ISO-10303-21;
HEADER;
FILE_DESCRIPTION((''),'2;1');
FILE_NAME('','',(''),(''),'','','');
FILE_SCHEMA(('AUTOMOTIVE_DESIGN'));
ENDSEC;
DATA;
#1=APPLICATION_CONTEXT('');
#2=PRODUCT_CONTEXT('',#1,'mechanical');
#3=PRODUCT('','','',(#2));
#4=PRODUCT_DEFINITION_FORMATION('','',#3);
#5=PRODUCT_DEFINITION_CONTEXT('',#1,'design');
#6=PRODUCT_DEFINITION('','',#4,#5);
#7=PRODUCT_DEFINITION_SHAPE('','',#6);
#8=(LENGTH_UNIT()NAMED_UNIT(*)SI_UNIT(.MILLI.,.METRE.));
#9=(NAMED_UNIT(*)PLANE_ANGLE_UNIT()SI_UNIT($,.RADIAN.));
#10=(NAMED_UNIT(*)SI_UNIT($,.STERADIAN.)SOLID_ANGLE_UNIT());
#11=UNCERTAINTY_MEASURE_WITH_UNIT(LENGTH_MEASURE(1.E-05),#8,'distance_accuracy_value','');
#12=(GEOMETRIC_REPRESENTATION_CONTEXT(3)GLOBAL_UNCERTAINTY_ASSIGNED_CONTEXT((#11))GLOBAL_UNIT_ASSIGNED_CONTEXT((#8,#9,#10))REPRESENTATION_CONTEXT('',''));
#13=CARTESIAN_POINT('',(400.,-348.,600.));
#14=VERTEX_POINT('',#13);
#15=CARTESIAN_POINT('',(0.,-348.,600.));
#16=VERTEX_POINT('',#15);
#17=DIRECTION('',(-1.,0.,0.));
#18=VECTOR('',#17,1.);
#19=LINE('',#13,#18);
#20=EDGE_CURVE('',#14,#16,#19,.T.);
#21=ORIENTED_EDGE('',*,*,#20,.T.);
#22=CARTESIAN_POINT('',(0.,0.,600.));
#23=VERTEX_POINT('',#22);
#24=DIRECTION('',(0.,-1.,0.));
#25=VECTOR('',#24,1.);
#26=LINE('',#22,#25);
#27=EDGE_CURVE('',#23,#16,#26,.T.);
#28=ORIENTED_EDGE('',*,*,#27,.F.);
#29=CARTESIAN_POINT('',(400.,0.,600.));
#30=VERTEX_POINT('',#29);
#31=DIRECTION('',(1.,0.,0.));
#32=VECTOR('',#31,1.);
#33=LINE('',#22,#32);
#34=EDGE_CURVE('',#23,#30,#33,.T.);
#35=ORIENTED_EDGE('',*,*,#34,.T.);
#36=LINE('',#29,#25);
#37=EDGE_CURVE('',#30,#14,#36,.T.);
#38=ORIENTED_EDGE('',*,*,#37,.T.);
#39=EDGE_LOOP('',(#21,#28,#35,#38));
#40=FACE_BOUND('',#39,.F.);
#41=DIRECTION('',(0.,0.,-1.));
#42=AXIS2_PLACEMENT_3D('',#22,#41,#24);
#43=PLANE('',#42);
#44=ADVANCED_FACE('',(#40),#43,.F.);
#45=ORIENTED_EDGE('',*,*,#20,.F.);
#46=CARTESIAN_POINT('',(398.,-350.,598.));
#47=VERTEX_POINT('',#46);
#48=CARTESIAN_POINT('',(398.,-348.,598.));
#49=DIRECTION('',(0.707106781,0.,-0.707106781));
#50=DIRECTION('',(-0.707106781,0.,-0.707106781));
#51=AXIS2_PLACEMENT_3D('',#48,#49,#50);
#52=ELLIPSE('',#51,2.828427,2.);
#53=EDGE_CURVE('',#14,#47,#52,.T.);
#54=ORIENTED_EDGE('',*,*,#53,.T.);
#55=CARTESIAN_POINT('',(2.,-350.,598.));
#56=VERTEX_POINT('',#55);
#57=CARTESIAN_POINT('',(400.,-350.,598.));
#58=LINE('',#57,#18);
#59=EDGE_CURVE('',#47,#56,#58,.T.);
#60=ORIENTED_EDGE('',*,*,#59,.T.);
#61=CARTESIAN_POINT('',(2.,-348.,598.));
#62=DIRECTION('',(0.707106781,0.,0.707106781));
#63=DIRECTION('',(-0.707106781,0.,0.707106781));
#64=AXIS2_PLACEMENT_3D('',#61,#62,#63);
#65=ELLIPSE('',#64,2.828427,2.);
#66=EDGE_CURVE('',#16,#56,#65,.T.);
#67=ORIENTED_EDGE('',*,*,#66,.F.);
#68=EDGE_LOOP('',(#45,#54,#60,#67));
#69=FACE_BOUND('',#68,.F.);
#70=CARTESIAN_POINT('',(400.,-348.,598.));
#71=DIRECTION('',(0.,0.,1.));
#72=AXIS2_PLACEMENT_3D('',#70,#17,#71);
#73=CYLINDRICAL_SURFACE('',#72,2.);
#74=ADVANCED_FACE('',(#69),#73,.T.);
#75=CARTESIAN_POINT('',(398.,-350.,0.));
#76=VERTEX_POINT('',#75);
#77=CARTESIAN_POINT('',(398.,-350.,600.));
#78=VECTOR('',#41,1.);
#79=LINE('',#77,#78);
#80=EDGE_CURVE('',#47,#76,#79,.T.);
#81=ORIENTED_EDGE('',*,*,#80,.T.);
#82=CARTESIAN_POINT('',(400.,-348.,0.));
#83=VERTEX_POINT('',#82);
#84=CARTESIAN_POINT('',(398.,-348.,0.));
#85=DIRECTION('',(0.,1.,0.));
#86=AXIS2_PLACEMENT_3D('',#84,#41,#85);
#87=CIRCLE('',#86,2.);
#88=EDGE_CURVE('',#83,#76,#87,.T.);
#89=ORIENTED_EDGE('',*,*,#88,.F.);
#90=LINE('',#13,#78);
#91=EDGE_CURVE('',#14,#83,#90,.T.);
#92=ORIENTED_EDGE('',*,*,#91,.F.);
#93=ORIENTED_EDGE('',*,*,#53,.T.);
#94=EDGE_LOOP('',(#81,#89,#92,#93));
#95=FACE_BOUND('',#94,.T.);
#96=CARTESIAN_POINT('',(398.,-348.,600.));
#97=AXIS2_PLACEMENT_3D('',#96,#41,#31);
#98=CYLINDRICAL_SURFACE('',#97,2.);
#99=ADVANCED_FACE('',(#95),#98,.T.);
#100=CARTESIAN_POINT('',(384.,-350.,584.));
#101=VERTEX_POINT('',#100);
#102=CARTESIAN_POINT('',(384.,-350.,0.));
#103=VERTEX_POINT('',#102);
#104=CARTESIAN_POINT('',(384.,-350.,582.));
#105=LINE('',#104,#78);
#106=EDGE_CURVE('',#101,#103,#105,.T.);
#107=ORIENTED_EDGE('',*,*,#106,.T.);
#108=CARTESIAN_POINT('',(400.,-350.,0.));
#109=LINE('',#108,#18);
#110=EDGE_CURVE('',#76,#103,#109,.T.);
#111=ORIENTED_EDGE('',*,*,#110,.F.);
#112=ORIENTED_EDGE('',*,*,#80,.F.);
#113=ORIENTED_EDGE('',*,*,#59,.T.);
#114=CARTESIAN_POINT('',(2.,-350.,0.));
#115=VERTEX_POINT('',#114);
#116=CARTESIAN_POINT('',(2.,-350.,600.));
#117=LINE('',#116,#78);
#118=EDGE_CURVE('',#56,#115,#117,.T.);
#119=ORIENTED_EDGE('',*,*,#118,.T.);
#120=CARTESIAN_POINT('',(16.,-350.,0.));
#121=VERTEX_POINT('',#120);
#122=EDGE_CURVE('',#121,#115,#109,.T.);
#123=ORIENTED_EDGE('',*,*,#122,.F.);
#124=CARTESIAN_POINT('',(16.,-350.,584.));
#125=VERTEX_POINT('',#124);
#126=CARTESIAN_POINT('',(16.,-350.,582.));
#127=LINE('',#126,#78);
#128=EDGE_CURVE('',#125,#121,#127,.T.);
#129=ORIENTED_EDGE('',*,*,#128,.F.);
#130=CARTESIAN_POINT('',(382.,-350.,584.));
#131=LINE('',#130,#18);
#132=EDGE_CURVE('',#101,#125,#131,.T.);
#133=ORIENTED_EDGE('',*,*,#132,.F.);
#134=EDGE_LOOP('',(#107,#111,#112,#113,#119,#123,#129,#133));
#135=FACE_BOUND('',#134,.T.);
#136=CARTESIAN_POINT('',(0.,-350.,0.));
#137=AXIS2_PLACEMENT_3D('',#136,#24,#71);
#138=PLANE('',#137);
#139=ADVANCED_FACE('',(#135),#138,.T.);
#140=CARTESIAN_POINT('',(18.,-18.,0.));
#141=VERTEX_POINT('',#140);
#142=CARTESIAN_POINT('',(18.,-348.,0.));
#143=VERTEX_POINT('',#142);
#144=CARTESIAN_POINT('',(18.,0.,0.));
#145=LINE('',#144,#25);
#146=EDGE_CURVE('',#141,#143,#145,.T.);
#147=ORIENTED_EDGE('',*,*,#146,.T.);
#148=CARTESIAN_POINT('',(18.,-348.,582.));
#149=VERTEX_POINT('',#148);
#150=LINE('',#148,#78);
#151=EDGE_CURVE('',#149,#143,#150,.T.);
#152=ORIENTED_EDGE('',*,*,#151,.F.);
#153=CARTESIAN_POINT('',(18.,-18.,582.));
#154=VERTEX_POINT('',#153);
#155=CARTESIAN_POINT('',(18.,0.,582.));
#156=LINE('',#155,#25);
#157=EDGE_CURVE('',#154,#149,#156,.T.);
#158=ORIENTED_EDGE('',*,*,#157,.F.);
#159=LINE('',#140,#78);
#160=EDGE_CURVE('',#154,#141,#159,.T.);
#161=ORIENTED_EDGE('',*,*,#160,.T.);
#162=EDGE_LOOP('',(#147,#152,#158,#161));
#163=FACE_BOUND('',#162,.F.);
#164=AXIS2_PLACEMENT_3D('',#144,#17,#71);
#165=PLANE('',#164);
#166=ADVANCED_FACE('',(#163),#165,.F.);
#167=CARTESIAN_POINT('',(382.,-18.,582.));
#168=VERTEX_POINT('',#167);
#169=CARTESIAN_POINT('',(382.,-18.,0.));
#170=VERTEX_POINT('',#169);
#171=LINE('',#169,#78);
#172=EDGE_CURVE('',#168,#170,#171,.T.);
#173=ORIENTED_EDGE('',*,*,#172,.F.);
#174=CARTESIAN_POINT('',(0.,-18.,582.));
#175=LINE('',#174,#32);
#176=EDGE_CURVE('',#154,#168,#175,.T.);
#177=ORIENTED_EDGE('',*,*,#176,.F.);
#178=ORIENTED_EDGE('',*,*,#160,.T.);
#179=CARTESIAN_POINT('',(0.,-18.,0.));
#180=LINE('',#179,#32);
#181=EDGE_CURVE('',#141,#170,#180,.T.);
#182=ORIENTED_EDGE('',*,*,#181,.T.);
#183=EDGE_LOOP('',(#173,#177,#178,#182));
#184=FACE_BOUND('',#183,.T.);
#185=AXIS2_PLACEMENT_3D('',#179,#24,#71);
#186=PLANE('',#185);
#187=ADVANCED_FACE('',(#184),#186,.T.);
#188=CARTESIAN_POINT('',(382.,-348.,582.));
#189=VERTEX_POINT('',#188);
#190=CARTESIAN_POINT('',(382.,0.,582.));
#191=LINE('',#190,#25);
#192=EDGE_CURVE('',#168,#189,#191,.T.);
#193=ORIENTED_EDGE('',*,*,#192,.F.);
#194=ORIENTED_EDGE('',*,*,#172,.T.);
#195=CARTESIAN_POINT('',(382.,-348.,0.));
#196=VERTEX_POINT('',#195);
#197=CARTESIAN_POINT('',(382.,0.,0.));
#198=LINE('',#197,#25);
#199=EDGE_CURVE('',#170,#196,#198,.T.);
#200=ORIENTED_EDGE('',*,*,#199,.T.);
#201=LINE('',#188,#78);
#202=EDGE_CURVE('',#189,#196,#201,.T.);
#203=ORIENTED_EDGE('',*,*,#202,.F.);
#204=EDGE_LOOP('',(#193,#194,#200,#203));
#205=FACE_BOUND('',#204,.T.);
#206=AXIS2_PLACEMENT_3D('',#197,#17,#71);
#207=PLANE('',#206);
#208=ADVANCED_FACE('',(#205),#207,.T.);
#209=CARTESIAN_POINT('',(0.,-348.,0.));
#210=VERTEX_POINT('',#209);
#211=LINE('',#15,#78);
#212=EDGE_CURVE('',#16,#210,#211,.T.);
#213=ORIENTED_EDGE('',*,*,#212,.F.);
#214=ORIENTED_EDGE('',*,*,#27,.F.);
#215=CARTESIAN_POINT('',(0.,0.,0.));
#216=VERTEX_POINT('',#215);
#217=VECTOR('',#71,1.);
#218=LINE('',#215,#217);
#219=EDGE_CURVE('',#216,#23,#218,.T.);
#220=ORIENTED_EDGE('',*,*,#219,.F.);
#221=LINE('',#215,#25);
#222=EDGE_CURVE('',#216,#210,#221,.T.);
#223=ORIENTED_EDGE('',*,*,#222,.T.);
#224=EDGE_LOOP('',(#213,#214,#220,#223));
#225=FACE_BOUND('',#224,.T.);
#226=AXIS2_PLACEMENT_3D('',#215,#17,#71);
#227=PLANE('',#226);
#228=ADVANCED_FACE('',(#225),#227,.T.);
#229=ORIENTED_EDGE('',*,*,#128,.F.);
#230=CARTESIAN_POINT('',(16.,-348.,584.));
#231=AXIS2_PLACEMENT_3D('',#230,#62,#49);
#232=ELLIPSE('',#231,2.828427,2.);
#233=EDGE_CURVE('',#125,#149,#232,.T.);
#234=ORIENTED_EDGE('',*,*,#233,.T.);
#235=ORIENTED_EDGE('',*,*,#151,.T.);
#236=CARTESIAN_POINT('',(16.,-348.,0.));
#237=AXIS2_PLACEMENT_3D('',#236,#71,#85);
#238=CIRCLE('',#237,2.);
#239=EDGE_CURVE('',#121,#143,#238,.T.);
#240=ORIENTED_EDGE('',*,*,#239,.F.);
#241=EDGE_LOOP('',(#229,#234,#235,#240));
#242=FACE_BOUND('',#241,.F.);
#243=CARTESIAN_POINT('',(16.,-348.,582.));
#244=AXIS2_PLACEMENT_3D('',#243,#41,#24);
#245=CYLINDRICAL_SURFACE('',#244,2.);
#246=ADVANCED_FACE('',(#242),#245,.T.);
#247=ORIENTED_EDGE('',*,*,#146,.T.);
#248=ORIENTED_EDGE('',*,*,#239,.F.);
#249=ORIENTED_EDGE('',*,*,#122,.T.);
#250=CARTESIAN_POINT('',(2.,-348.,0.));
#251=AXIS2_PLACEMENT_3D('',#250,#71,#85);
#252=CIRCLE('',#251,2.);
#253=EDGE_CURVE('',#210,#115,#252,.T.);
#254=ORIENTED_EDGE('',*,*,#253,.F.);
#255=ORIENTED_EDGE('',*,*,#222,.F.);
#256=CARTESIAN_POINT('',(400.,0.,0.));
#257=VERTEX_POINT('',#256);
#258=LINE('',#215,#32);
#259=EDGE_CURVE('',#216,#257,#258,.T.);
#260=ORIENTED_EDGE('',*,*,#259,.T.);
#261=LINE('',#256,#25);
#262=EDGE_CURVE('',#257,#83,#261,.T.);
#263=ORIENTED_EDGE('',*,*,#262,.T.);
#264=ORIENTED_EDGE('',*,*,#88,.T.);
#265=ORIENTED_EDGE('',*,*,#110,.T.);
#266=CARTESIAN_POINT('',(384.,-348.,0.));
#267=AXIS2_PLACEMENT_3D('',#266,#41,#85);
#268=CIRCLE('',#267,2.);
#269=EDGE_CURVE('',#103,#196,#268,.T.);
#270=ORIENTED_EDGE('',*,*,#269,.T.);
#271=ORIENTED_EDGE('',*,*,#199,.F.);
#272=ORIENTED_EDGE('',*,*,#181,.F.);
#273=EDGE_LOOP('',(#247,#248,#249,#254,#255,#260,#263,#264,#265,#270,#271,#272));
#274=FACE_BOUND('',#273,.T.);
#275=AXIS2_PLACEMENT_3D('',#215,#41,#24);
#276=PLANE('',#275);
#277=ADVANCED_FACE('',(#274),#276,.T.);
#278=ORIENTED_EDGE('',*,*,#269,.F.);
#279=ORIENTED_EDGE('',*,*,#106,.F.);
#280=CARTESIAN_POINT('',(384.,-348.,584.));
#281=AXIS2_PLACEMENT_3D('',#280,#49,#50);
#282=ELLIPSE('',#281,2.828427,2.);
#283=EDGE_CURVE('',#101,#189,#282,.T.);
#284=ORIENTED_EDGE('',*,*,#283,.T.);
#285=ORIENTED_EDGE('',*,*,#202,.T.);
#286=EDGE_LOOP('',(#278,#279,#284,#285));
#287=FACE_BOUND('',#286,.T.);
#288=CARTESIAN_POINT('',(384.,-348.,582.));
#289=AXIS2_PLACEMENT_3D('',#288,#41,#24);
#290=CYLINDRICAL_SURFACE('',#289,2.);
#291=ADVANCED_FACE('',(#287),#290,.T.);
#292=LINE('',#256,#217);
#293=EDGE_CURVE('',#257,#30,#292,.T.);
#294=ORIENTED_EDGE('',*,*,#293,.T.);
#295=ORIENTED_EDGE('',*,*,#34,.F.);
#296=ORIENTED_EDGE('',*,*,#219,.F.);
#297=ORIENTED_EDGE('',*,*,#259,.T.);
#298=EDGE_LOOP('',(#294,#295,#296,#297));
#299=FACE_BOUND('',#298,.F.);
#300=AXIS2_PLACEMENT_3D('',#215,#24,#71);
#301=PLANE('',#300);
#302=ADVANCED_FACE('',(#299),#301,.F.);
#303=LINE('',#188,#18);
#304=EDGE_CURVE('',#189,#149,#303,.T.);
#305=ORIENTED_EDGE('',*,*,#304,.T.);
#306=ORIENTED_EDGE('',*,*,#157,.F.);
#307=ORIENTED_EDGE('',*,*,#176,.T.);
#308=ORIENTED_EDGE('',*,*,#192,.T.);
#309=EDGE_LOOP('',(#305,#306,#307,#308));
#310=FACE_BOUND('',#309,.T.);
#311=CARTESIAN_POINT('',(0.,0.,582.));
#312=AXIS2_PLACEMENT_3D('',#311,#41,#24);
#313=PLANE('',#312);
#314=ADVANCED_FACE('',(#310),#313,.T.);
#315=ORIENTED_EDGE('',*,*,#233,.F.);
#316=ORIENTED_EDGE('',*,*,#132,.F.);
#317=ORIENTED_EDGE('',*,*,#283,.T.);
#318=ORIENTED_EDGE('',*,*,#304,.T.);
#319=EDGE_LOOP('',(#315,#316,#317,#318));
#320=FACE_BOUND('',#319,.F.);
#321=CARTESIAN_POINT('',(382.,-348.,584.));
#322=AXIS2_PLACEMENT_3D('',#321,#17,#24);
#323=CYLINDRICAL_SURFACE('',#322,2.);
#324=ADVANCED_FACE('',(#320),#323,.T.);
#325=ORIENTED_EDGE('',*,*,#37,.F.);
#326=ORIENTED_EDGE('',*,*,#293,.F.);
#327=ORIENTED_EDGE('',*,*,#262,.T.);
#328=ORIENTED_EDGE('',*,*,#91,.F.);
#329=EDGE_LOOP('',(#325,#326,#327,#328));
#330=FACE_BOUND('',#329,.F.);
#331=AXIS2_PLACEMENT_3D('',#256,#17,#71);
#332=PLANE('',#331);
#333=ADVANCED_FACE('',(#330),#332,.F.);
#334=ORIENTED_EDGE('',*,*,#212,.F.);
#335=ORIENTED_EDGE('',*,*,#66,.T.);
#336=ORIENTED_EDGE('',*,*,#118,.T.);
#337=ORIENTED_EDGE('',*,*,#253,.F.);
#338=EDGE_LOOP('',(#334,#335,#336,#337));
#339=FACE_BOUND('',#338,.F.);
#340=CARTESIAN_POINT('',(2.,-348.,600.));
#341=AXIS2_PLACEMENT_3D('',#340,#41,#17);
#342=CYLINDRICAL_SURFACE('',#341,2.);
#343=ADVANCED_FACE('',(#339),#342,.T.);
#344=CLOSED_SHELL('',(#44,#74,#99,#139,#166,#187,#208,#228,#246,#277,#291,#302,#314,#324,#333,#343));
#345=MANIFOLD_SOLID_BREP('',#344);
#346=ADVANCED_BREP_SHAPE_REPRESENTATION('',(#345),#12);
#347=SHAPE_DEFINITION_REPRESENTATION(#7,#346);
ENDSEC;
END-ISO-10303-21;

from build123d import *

# Parameters (mm, degrees)
F0_W     = 48.4505593777
F0_H     = 45.2879294753
F1_DEPTH = 350
F2_DEPTH = 18
F3_DEPTH = 600
F4_DEPTH = 400
F5_T     = -18
F6_R     = 2
F7_R     = 2


with BuildPart() as f1:
    # F0 (on Front) → F1 (new body)
    with BuildSketch(Plane.XZ):
        with Locations((24.2252796888, 22.6439647377)):
            Rectangle(F0_W, F0_H)
    extrude(amount=F1_DEPTH)

    # F2 (intersect): a face of the model
    f2_faces = [f1.faces().sort_by_distance(p)[0] for p in [
        (0, -175, 22.6439647377),
    ]]
    extrude(f2_faces, amount=-F2_DEPTH, mode=Mode.INTERSECT)

    # F3 (add): a face of the model
    f3_faces = [f1.faces().sort_by_distance(p)[0] for p in [
        (9, -175, 0),
    ]]
    extrude(f3_faces, amount=-F3_DEPTH)

    # F4 (add): a face of the model
    f4_faces = [f1.faces().sort_by_distance(p)[0] for p in [
        (0, -175, 300),
    ]]
    extrude(f4_faces, amount=-F4_DEPTH)

    # F5
    f5_openings = [f1.faces().sort_by_distance(p)[0] for p in [
        (200, -350, 300),
        (200, -175, 0),
    ]]
    offset(amount=F5_T, openings=f5_openings)

    # F6
    f6_edges = [f1.edges().sort_by_distance(p)[0] for p in [
        (400, -350, 300),
        (200, -350, 600),
        (0, -350, 300),
    ]]
    fillet(f6_edges, radius=F6_R)

    # F7
    f7_edges = [f1.edges().sort_by_distance(p)[0] for p in [
        (18, -350, 291),
        (382, -350, 291),
        (200, -350, 582),
    ]]
    fillet(f7_edges, radius=F7_R)


solid = f1.part
